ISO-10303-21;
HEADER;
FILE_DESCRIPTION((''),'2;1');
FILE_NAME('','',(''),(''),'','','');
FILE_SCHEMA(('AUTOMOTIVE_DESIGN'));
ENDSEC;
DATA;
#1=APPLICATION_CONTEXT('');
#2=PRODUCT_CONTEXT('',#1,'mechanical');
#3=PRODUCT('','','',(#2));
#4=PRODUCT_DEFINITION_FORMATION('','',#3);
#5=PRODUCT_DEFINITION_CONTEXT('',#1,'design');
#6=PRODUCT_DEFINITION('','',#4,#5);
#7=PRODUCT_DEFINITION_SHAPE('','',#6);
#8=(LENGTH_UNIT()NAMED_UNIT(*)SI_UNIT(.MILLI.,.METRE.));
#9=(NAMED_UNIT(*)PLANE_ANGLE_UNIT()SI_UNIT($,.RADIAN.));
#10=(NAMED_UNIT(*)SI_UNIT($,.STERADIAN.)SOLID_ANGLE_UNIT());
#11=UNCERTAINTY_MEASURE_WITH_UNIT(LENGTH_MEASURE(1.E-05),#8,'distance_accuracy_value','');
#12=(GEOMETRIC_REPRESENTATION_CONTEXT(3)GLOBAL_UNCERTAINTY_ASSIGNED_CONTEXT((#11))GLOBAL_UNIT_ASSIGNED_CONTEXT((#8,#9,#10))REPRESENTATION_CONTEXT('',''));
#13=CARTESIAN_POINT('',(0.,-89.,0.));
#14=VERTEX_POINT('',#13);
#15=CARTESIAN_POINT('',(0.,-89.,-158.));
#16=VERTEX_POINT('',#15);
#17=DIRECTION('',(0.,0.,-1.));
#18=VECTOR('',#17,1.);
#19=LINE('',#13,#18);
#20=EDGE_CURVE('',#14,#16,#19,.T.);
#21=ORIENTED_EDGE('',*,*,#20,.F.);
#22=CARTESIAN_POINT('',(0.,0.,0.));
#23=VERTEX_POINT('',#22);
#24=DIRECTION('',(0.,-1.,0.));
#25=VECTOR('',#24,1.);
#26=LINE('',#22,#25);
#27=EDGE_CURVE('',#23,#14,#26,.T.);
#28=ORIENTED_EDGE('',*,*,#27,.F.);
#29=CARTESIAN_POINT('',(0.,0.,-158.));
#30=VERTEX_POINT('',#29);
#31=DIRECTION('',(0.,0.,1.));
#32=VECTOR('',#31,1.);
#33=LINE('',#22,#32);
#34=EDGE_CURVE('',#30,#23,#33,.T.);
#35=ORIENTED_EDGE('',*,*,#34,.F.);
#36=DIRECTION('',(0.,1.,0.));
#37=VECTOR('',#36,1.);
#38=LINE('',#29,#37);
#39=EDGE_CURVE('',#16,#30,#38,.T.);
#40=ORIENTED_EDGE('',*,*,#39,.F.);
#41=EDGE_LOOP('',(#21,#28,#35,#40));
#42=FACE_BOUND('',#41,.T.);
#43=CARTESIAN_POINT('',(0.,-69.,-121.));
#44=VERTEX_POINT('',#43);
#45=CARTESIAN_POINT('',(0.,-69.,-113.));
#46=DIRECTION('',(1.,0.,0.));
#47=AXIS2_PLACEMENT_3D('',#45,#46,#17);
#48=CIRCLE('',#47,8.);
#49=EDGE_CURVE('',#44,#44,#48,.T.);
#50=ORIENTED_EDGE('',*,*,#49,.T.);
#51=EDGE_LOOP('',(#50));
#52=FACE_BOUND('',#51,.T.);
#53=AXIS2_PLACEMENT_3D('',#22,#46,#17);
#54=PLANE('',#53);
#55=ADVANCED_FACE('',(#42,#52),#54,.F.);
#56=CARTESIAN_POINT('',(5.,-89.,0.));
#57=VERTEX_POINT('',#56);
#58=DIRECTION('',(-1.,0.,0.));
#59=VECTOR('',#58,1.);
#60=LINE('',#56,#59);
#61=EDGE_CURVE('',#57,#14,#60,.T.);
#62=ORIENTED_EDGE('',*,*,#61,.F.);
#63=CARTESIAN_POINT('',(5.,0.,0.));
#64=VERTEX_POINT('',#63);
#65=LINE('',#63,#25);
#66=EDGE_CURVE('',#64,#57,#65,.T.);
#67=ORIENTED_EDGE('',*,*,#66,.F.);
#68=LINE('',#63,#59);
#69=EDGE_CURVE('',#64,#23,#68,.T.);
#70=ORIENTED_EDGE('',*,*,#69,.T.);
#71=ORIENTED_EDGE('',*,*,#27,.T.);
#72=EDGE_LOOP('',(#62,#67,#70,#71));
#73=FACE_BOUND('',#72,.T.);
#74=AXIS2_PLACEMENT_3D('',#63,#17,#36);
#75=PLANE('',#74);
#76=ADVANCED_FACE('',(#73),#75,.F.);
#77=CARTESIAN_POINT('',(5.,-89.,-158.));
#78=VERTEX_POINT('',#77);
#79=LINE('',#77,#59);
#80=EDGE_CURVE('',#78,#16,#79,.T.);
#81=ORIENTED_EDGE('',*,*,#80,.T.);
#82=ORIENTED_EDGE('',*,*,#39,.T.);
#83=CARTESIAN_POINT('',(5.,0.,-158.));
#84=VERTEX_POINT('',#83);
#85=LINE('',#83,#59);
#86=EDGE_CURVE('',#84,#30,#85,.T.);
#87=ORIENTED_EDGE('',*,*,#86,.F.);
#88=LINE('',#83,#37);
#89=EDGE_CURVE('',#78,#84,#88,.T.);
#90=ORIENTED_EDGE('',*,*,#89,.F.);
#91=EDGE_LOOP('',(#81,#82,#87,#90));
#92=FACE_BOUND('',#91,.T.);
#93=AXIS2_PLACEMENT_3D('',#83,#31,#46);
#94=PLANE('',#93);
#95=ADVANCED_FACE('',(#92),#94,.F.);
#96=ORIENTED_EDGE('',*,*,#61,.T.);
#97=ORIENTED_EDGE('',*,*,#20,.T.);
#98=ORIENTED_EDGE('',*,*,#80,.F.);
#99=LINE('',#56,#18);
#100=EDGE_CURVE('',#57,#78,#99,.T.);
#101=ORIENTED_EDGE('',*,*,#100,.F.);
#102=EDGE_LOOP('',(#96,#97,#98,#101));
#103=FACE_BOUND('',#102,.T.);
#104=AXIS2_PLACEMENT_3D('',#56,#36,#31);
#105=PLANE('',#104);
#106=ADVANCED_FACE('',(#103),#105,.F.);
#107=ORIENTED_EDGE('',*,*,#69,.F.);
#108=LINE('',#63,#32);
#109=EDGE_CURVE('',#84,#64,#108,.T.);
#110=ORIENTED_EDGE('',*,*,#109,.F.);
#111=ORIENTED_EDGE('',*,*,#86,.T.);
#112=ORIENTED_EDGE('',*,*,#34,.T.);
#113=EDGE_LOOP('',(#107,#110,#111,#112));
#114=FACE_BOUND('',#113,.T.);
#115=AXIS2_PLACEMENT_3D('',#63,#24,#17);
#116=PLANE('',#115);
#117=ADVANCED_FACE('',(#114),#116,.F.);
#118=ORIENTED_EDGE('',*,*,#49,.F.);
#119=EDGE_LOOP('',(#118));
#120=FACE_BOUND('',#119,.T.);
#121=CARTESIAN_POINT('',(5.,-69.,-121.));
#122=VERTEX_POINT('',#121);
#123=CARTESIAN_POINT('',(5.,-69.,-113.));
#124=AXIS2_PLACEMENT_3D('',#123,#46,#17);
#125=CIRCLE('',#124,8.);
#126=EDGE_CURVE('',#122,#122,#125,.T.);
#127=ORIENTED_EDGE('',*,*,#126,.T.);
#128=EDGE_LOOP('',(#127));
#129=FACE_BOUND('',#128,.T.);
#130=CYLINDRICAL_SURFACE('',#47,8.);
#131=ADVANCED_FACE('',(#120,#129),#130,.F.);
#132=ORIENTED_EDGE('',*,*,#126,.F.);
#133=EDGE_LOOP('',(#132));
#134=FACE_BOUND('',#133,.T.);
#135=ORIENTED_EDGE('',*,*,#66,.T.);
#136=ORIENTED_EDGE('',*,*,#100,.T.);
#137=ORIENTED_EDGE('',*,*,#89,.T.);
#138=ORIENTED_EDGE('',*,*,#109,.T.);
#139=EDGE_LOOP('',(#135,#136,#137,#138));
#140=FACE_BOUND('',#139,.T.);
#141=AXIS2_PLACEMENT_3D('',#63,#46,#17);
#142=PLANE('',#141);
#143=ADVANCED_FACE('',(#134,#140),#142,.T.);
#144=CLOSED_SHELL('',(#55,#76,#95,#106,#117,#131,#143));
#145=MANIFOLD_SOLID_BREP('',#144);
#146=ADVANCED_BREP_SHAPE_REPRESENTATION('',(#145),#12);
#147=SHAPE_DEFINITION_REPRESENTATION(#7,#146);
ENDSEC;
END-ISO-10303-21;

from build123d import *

# Parameters (mm, degrees)
SKETCH1_W           = 158
SKETCH1_H           = 89
BOSS_EXTRUDE1_DEPTH = 5
SKETCH2_R           = 8
CUT_EXTRUDE1_DEPTH  = 5


with BuildPart() as part:
    # Sketch1 → Boss-Extrude1 (new body)
    with BuildSketch(Plane(origin=(0, 0, 0), x_dir=(0, 0, -1), z_dir=(1, 0, 0))):
        with Locations((79, -44.5)):
            Rectangle(SKETCH1_W, SKETCH1_H)
    extrude(amount=BOSS_EXTRUDE1_DEPTH)

    # Sketch2 → Cut-Extrude1 (cut)
    with BuildSketch(Plane(origin=(5, 0, 0), x_dir=(0, 0, -1), z_dir=(1, 0, 0))):
        with Locations((113, -69)):
            Circle(SKETCH2_R)
    extrude(amount=-CUT_EXTRUDE1_DEPTH, mode=Mode.SUBTRACT)


solid = part.part
